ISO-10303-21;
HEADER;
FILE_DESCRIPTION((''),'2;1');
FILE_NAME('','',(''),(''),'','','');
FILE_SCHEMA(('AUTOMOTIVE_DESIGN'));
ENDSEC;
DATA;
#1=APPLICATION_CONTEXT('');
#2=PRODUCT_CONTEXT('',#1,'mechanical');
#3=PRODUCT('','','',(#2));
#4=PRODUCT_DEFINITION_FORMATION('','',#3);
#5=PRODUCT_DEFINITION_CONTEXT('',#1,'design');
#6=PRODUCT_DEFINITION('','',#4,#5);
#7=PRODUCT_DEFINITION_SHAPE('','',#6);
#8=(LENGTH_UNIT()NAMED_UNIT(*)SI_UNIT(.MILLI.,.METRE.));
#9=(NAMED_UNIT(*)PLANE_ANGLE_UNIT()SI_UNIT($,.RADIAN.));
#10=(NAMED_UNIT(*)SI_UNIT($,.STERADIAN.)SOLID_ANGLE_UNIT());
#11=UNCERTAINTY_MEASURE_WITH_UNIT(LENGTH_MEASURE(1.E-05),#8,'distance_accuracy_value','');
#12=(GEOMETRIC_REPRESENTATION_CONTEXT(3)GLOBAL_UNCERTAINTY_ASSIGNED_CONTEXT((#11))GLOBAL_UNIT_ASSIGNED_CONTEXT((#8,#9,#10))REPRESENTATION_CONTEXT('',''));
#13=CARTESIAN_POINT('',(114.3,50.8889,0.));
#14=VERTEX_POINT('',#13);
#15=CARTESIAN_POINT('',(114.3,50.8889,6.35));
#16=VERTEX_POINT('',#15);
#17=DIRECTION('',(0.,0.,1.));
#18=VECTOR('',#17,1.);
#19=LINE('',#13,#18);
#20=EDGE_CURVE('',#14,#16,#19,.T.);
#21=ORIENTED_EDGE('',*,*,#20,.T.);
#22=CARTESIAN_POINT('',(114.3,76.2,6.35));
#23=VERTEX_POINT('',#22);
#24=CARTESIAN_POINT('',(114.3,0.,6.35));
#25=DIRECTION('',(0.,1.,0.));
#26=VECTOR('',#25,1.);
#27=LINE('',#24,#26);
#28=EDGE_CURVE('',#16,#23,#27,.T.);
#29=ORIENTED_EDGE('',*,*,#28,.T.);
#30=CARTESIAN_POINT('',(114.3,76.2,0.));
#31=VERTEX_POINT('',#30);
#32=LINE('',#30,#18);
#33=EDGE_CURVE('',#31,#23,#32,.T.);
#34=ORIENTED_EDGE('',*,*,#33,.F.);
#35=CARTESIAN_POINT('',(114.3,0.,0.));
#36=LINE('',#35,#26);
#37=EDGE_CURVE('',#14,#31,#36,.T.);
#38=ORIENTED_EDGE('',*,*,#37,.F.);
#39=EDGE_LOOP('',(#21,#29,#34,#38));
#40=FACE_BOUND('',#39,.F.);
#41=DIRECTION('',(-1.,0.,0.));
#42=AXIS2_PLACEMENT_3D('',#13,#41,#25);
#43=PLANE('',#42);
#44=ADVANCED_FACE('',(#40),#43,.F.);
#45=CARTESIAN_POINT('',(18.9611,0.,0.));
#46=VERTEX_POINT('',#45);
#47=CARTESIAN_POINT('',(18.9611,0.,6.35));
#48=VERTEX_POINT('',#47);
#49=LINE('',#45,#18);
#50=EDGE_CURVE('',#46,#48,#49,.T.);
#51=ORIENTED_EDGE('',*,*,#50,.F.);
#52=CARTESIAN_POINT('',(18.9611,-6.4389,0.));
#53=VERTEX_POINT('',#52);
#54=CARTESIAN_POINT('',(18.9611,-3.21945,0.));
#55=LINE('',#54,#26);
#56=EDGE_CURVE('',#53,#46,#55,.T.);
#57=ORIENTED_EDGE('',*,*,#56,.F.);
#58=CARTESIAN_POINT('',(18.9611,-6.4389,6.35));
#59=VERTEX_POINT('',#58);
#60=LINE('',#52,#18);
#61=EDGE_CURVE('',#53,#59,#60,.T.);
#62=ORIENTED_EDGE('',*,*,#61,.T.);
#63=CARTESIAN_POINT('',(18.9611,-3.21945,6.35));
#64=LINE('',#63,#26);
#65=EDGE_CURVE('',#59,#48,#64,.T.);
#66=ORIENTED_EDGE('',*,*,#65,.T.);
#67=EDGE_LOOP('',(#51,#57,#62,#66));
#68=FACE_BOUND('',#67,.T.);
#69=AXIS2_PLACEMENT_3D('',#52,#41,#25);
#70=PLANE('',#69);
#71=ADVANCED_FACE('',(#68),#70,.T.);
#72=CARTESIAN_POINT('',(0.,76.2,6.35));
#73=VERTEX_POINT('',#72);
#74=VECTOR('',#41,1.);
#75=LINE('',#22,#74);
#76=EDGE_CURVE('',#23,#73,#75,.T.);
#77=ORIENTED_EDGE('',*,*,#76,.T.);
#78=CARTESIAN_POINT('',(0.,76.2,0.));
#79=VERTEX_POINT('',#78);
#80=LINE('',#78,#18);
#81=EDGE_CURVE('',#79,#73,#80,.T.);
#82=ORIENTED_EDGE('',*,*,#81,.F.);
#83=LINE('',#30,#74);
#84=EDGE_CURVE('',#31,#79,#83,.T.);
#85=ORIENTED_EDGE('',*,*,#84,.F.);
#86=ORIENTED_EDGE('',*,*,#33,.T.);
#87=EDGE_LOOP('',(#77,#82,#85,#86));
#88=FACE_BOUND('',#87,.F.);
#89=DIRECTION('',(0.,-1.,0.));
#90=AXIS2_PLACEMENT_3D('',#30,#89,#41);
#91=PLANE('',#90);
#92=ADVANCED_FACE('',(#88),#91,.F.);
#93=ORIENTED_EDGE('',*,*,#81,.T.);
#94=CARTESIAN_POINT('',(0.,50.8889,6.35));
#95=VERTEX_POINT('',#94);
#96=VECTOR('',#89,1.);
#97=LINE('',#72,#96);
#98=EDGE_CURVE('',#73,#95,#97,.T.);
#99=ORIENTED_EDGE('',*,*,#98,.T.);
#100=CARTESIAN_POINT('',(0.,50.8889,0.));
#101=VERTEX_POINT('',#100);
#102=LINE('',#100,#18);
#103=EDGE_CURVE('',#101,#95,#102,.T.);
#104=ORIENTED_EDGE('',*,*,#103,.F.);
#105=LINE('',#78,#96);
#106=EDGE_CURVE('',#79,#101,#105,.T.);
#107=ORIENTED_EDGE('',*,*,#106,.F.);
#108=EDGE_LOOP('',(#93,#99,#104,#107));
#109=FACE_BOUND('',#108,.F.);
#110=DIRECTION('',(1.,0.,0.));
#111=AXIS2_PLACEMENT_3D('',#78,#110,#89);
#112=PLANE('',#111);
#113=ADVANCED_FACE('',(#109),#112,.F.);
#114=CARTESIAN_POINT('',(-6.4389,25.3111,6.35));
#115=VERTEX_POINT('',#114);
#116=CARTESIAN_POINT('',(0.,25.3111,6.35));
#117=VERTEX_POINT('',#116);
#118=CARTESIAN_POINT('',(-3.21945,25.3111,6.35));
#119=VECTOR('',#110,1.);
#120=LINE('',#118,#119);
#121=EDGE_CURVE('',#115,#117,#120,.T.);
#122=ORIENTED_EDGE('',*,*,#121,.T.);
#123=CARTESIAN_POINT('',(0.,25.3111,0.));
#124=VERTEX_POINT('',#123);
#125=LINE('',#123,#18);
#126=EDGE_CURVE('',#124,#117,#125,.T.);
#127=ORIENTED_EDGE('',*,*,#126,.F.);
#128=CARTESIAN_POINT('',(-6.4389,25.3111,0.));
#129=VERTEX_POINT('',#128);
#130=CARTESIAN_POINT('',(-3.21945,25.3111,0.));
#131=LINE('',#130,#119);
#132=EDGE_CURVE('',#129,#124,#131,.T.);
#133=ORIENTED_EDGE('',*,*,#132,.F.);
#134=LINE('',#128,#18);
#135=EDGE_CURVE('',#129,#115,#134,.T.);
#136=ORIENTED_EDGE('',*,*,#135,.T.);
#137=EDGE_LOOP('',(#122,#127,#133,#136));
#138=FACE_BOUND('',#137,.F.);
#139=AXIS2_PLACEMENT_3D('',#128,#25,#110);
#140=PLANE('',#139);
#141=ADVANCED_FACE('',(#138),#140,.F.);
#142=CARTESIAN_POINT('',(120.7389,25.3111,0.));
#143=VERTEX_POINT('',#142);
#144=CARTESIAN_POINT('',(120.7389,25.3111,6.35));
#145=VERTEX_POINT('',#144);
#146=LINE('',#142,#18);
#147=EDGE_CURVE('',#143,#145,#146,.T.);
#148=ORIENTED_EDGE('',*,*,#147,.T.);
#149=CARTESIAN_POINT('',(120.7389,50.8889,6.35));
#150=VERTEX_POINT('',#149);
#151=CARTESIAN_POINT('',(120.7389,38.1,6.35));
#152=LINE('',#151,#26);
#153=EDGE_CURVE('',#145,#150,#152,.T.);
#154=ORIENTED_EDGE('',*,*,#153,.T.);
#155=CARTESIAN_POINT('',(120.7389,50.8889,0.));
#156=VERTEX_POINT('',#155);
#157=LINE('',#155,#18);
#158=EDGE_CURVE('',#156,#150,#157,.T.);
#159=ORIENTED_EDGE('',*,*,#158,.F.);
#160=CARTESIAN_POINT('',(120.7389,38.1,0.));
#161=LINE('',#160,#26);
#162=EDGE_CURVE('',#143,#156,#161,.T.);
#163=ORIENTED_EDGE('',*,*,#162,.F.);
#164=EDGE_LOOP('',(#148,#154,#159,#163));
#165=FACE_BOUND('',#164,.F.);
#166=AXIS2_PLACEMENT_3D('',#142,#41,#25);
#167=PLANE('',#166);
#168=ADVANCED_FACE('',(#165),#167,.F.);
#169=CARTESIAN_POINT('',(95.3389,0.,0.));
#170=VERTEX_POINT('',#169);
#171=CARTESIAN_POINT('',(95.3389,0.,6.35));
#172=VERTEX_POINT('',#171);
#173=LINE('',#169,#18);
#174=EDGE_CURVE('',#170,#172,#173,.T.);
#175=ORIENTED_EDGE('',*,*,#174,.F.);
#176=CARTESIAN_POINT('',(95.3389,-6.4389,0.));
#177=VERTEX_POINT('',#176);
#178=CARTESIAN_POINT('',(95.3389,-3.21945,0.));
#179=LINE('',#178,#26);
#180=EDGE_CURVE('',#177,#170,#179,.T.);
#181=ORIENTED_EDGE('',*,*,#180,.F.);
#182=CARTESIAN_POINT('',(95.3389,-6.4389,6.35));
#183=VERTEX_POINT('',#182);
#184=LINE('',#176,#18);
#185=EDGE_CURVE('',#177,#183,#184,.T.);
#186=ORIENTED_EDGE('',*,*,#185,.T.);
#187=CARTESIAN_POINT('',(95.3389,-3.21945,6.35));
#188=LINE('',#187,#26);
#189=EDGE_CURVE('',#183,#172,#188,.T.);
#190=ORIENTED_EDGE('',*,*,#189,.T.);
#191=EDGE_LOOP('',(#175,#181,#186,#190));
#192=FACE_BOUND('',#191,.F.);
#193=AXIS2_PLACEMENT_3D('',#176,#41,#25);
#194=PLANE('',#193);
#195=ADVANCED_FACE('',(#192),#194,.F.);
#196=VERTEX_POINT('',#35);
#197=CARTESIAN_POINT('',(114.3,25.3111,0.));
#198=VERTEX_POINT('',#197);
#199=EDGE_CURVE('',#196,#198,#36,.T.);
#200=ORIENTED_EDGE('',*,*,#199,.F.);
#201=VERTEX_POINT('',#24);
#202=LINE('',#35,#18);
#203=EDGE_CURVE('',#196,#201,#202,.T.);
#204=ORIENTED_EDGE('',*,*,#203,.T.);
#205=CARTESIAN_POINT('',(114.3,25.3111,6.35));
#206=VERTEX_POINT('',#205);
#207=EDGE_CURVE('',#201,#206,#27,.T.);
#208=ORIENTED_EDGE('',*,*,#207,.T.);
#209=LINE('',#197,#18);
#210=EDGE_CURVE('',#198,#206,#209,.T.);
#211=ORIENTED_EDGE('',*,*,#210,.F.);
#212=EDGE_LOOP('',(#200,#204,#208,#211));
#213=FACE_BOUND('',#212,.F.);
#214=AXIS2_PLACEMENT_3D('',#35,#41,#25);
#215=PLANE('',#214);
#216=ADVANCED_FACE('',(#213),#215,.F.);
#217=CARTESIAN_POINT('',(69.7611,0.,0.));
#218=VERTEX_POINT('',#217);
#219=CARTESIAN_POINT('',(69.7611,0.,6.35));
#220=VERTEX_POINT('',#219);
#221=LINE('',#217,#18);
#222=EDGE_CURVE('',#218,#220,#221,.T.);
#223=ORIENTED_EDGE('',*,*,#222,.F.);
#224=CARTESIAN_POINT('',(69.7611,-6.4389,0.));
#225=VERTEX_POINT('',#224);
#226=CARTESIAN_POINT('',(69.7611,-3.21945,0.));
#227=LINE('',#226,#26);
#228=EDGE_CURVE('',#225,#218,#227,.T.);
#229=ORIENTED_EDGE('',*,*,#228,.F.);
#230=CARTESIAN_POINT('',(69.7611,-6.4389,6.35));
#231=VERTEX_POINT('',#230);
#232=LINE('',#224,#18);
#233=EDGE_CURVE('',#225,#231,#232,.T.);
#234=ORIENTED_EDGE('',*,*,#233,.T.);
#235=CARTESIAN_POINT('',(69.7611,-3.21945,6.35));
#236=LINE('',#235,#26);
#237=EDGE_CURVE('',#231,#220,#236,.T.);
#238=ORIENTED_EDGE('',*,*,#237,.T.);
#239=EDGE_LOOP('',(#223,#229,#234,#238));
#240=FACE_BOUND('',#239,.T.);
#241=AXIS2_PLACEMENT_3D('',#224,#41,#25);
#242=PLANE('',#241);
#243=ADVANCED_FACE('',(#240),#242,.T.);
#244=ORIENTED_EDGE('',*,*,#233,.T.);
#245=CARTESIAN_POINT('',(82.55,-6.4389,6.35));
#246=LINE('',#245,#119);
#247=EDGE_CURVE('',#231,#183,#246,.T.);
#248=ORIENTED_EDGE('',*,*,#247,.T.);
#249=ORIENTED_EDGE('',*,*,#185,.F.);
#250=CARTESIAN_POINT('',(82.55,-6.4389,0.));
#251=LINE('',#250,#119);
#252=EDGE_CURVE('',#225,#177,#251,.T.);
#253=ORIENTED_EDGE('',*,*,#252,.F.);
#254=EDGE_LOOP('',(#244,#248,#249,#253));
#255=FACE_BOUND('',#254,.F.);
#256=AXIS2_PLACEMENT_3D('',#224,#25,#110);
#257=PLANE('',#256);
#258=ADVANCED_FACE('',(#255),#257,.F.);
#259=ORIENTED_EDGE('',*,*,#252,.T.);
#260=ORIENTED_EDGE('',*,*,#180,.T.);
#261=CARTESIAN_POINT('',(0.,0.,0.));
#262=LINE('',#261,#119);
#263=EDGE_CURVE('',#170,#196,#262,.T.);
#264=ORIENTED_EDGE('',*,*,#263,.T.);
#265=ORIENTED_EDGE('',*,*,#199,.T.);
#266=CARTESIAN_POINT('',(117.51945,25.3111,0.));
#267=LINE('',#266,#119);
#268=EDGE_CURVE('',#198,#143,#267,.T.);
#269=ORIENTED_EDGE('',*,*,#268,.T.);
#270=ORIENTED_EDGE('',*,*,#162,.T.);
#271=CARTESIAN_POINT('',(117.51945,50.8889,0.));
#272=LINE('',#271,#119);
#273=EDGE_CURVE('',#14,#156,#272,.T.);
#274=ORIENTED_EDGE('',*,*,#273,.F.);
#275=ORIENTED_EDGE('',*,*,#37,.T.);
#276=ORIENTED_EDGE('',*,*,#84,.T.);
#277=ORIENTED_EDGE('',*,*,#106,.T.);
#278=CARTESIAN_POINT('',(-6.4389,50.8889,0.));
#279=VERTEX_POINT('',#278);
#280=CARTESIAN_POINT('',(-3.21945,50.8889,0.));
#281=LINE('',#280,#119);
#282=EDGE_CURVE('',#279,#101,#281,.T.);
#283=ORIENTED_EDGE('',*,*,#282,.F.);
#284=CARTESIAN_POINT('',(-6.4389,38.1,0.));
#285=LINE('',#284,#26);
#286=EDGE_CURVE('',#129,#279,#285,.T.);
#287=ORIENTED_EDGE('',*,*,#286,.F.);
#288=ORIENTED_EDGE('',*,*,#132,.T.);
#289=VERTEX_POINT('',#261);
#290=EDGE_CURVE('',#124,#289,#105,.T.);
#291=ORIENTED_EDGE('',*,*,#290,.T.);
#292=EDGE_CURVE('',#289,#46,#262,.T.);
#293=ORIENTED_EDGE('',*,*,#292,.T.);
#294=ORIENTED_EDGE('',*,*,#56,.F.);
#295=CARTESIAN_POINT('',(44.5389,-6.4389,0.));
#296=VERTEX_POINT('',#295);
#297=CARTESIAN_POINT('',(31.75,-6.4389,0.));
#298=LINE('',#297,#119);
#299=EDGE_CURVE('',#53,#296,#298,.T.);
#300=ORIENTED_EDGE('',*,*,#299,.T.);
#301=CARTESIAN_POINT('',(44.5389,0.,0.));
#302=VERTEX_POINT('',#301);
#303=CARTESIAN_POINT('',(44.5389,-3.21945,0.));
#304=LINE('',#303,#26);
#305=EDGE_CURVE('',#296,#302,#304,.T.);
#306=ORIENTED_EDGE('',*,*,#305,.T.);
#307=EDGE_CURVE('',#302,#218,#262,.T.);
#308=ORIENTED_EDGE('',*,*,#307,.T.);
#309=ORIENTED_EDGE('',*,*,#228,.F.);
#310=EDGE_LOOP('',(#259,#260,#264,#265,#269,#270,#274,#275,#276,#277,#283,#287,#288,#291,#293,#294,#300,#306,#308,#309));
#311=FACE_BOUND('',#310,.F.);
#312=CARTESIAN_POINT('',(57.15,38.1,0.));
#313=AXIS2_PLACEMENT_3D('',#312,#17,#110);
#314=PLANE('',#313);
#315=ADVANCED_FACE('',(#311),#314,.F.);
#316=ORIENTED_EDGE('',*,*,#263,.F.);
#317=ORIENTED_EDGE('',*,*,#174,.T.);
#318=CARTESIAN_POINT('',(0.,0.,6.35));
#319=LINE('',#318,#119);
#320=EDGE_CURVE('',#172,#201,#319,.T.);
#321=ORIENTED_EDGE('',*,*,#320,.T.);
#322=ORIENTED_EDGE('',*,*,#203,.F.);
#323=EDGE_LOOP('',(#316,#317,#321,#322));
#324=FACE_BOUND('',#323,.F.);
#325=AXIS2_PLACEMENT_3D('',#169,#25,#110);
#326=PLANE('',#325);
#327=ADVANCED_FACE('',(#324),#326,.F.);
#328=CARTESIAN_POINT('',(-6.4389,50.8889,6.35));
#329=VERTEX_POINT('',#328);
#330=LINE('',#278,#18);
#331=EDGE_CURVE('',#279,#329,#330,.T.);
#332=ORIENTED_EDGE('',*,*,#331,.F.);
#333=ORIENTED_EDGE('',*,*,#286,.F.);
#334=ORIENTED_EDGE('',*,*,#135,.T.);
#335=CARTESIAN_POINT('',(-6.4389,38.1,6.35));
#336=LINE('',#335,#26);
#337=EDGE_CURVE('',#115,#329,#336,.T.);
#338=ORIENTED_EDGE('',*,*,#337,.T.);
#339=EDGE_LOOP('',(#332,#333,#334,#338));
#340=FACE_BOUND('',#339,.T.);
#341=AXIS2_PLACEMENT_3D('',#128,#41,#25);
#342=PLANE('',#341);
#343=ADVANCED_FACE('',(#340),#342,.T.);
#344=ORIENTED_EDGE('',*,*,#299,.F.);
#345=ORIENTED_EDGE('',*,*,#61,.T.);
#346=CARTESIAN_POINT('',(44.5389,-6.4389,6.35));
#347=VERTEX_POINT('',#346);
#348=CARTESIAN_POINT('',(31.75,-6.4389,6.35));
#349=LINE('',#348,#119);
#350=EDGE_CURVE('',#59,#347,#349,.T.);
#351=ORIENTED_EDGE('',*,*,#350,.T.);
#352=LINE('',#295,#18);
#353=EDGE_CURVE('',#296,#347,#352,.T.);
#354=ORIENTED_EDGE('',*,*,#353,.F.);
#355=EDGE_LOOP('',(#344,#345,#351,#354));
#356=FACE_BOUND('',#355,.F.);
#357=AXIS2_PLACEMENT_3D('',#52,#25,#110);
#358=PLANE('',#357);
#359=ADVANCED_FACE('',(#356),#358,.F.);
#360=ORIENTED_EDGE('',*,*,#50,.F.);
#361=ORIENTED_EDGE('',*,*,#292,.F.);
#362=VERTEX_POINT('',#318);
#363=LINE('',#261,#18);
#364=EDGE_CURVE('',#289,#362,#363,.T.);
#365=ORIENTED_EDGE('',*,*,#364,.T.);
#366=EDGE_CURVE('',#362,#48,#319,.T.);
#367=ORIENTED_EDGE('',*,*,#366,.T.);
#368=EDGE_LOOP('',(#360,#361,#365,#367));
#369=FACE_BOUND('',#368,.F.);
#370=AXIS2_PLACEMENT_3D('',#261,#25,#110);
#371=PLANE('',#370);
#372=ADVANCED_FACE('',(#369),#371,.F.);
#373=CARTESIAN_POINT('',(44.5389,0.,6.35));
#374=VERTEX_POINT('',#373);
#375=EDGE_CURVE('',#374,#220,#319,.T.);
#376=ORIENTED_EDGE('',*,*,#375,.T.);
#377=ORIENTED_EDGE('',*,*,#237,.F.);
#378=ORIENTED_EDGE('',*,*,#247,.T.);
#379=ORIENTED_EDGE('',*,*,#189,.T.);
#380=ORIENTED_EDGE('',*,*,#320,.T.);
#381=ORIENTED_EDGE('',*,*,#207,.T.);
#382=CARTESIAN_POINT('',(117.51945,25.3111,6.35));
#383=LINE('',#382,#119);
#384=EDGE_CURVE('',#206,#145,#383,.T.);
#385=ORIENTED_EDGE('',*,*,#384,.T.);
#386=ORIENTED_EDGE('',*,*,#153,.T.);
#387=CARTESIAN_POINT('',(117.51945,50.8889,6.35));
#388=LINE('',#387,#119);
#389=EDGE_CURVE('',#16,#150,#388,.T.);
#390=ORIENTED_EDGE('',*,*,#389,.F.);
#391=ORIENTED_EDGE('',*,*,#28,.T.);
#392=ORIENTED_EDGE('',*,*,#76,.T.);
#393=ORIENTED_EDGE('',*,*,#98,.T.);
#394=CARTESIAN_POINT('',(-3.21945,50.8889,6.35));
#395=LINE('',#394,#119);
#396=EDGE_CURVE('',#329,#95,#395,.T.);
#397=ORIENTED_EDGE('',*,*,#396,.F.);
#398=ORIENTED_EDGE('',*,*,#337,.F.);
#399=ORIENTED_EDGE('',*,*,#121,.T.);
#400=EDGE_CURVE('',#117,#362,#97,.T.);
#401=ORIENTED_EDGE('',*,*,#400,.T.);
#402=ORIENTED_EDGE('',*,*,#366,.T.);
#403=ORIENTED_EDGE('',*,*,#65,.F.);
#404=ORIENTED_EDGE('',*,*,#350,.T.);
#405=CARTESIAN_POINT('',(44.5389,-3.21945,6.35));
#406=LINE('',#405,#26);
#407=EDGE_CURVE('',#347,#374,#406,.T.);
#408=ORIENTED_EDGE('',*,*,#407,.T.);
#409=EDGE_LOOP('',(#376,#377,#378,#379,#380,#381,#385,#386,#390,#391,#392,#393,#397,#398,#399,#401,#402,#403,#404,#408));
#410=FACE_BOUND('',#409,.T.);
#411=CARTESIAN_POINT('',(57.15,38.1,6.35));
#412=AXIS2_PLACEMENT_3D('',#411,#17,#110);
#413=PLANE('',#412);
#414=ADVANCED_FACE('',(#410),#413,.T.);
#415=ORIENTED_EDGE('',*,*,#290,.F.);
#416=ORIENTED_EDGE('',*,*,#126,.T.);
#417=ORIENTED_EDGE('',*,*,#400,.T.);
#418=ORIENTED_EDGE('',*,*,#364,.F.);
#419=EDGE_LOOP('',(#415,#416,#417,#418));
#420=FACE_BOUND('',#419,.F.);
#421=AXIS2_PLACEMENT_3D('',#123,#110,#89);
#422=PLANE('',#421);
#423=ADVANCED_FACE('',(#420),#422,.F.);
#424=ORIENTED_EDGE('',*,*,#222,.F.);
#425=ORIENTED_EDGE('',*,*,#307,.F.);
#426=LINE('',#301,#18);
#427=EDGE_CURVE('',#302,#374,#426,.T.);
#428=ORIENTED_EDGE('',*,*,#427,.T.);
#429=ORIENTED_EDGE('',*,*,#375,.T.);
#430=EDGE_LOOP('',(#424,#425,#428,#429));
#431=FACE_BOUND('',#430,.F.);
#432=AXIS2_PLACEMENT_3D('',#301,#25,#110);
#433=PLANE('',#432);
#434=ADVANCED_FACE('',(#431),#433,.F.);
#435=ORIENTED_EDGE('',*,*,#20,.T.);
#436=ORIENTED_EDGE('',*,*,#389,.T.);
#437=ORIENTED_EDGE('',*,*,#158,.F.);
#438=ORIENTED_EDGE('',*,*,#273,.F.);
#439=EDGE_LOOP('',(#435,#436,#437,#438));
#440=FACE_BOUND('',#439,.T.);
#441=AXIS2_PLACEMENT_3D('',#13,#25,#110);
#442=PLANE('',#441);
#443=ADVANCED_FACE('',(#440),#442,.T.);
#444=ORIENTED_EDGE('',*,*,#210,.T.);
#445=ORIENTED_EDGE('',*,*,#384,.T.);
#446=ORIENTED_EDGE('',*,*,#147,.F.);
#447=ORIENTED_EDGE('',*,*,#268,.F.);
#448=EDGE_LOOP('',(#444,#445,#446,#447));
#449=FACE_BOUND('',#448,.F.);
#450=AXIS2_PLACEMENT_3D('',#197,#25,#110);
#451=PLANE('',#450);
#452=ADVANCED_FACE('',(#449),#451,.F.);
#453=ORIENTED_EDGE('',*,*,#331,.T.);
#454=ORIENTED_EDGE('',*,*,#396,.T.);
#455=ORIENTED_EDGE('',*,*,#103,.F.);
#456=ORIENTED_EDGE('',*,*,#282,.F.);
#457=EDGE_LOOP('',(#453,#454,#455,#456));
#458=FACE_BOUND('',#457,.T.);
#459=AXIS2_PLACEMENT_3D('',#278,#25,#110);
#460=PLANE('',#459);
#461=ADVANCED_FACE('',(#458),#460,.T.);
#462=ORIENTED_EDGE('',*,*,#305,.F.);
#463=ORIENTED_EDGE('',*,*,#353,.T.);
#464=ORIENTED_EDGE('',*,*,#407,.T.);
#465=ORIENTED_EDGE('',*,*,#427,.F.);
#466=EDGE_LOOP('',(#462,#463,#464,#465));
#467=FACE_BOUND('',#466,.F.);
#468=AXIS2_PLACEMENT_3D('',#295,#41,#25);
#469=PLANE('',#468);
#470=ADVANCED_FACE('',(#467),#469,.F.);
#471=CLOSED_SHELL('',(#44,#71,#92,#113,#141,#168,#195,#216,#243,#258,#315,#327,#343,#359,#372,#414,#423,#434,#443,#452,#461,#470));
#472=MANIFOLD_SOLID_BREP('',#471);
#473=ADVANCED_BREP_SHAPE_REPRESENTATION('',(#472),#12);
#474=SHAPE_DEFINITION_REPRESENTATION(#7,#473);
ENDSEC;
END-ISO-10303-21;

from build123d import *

# Parameters (mm, degrees)
F0_W     = 6.4389
F0_H     = 25.5778
F0_W_2   = 25.5778
F0_H_2   = 6.4389
F1_DEPTH = 6.35


with BuildPart() as f1:
    # F0 (on Top) → F1 (new body)
    with BuildSketch(Plane.XY):
        Polygon((0, 25.3111), (0, 0), (18.9611, 0), (44.5389, 0), (69.7611, 0), (95.3389, 0), (114.3, 0), (114.3, 25.3111), (114.3, 50.8889), (114.3, 76.2), (0, 76.2), (0, 50.8889), align=None)
        with Locations((-3.21945, 38.1)):
            Rectangle(F0_W, F0_H)
        with Locations((31.75, -3.21945)):
            Rectangle(F0_W_2, F0_H_2)
        with Locations((82.55, -3.21945)):
            Rectangle(F0_W_2, F0_H_2)
        with Locations((117.51945, 38.1)):
            Rectangle(F0_W, F0_H)
    extrude(amount=F1_DEPTH)


solid = f1.part
